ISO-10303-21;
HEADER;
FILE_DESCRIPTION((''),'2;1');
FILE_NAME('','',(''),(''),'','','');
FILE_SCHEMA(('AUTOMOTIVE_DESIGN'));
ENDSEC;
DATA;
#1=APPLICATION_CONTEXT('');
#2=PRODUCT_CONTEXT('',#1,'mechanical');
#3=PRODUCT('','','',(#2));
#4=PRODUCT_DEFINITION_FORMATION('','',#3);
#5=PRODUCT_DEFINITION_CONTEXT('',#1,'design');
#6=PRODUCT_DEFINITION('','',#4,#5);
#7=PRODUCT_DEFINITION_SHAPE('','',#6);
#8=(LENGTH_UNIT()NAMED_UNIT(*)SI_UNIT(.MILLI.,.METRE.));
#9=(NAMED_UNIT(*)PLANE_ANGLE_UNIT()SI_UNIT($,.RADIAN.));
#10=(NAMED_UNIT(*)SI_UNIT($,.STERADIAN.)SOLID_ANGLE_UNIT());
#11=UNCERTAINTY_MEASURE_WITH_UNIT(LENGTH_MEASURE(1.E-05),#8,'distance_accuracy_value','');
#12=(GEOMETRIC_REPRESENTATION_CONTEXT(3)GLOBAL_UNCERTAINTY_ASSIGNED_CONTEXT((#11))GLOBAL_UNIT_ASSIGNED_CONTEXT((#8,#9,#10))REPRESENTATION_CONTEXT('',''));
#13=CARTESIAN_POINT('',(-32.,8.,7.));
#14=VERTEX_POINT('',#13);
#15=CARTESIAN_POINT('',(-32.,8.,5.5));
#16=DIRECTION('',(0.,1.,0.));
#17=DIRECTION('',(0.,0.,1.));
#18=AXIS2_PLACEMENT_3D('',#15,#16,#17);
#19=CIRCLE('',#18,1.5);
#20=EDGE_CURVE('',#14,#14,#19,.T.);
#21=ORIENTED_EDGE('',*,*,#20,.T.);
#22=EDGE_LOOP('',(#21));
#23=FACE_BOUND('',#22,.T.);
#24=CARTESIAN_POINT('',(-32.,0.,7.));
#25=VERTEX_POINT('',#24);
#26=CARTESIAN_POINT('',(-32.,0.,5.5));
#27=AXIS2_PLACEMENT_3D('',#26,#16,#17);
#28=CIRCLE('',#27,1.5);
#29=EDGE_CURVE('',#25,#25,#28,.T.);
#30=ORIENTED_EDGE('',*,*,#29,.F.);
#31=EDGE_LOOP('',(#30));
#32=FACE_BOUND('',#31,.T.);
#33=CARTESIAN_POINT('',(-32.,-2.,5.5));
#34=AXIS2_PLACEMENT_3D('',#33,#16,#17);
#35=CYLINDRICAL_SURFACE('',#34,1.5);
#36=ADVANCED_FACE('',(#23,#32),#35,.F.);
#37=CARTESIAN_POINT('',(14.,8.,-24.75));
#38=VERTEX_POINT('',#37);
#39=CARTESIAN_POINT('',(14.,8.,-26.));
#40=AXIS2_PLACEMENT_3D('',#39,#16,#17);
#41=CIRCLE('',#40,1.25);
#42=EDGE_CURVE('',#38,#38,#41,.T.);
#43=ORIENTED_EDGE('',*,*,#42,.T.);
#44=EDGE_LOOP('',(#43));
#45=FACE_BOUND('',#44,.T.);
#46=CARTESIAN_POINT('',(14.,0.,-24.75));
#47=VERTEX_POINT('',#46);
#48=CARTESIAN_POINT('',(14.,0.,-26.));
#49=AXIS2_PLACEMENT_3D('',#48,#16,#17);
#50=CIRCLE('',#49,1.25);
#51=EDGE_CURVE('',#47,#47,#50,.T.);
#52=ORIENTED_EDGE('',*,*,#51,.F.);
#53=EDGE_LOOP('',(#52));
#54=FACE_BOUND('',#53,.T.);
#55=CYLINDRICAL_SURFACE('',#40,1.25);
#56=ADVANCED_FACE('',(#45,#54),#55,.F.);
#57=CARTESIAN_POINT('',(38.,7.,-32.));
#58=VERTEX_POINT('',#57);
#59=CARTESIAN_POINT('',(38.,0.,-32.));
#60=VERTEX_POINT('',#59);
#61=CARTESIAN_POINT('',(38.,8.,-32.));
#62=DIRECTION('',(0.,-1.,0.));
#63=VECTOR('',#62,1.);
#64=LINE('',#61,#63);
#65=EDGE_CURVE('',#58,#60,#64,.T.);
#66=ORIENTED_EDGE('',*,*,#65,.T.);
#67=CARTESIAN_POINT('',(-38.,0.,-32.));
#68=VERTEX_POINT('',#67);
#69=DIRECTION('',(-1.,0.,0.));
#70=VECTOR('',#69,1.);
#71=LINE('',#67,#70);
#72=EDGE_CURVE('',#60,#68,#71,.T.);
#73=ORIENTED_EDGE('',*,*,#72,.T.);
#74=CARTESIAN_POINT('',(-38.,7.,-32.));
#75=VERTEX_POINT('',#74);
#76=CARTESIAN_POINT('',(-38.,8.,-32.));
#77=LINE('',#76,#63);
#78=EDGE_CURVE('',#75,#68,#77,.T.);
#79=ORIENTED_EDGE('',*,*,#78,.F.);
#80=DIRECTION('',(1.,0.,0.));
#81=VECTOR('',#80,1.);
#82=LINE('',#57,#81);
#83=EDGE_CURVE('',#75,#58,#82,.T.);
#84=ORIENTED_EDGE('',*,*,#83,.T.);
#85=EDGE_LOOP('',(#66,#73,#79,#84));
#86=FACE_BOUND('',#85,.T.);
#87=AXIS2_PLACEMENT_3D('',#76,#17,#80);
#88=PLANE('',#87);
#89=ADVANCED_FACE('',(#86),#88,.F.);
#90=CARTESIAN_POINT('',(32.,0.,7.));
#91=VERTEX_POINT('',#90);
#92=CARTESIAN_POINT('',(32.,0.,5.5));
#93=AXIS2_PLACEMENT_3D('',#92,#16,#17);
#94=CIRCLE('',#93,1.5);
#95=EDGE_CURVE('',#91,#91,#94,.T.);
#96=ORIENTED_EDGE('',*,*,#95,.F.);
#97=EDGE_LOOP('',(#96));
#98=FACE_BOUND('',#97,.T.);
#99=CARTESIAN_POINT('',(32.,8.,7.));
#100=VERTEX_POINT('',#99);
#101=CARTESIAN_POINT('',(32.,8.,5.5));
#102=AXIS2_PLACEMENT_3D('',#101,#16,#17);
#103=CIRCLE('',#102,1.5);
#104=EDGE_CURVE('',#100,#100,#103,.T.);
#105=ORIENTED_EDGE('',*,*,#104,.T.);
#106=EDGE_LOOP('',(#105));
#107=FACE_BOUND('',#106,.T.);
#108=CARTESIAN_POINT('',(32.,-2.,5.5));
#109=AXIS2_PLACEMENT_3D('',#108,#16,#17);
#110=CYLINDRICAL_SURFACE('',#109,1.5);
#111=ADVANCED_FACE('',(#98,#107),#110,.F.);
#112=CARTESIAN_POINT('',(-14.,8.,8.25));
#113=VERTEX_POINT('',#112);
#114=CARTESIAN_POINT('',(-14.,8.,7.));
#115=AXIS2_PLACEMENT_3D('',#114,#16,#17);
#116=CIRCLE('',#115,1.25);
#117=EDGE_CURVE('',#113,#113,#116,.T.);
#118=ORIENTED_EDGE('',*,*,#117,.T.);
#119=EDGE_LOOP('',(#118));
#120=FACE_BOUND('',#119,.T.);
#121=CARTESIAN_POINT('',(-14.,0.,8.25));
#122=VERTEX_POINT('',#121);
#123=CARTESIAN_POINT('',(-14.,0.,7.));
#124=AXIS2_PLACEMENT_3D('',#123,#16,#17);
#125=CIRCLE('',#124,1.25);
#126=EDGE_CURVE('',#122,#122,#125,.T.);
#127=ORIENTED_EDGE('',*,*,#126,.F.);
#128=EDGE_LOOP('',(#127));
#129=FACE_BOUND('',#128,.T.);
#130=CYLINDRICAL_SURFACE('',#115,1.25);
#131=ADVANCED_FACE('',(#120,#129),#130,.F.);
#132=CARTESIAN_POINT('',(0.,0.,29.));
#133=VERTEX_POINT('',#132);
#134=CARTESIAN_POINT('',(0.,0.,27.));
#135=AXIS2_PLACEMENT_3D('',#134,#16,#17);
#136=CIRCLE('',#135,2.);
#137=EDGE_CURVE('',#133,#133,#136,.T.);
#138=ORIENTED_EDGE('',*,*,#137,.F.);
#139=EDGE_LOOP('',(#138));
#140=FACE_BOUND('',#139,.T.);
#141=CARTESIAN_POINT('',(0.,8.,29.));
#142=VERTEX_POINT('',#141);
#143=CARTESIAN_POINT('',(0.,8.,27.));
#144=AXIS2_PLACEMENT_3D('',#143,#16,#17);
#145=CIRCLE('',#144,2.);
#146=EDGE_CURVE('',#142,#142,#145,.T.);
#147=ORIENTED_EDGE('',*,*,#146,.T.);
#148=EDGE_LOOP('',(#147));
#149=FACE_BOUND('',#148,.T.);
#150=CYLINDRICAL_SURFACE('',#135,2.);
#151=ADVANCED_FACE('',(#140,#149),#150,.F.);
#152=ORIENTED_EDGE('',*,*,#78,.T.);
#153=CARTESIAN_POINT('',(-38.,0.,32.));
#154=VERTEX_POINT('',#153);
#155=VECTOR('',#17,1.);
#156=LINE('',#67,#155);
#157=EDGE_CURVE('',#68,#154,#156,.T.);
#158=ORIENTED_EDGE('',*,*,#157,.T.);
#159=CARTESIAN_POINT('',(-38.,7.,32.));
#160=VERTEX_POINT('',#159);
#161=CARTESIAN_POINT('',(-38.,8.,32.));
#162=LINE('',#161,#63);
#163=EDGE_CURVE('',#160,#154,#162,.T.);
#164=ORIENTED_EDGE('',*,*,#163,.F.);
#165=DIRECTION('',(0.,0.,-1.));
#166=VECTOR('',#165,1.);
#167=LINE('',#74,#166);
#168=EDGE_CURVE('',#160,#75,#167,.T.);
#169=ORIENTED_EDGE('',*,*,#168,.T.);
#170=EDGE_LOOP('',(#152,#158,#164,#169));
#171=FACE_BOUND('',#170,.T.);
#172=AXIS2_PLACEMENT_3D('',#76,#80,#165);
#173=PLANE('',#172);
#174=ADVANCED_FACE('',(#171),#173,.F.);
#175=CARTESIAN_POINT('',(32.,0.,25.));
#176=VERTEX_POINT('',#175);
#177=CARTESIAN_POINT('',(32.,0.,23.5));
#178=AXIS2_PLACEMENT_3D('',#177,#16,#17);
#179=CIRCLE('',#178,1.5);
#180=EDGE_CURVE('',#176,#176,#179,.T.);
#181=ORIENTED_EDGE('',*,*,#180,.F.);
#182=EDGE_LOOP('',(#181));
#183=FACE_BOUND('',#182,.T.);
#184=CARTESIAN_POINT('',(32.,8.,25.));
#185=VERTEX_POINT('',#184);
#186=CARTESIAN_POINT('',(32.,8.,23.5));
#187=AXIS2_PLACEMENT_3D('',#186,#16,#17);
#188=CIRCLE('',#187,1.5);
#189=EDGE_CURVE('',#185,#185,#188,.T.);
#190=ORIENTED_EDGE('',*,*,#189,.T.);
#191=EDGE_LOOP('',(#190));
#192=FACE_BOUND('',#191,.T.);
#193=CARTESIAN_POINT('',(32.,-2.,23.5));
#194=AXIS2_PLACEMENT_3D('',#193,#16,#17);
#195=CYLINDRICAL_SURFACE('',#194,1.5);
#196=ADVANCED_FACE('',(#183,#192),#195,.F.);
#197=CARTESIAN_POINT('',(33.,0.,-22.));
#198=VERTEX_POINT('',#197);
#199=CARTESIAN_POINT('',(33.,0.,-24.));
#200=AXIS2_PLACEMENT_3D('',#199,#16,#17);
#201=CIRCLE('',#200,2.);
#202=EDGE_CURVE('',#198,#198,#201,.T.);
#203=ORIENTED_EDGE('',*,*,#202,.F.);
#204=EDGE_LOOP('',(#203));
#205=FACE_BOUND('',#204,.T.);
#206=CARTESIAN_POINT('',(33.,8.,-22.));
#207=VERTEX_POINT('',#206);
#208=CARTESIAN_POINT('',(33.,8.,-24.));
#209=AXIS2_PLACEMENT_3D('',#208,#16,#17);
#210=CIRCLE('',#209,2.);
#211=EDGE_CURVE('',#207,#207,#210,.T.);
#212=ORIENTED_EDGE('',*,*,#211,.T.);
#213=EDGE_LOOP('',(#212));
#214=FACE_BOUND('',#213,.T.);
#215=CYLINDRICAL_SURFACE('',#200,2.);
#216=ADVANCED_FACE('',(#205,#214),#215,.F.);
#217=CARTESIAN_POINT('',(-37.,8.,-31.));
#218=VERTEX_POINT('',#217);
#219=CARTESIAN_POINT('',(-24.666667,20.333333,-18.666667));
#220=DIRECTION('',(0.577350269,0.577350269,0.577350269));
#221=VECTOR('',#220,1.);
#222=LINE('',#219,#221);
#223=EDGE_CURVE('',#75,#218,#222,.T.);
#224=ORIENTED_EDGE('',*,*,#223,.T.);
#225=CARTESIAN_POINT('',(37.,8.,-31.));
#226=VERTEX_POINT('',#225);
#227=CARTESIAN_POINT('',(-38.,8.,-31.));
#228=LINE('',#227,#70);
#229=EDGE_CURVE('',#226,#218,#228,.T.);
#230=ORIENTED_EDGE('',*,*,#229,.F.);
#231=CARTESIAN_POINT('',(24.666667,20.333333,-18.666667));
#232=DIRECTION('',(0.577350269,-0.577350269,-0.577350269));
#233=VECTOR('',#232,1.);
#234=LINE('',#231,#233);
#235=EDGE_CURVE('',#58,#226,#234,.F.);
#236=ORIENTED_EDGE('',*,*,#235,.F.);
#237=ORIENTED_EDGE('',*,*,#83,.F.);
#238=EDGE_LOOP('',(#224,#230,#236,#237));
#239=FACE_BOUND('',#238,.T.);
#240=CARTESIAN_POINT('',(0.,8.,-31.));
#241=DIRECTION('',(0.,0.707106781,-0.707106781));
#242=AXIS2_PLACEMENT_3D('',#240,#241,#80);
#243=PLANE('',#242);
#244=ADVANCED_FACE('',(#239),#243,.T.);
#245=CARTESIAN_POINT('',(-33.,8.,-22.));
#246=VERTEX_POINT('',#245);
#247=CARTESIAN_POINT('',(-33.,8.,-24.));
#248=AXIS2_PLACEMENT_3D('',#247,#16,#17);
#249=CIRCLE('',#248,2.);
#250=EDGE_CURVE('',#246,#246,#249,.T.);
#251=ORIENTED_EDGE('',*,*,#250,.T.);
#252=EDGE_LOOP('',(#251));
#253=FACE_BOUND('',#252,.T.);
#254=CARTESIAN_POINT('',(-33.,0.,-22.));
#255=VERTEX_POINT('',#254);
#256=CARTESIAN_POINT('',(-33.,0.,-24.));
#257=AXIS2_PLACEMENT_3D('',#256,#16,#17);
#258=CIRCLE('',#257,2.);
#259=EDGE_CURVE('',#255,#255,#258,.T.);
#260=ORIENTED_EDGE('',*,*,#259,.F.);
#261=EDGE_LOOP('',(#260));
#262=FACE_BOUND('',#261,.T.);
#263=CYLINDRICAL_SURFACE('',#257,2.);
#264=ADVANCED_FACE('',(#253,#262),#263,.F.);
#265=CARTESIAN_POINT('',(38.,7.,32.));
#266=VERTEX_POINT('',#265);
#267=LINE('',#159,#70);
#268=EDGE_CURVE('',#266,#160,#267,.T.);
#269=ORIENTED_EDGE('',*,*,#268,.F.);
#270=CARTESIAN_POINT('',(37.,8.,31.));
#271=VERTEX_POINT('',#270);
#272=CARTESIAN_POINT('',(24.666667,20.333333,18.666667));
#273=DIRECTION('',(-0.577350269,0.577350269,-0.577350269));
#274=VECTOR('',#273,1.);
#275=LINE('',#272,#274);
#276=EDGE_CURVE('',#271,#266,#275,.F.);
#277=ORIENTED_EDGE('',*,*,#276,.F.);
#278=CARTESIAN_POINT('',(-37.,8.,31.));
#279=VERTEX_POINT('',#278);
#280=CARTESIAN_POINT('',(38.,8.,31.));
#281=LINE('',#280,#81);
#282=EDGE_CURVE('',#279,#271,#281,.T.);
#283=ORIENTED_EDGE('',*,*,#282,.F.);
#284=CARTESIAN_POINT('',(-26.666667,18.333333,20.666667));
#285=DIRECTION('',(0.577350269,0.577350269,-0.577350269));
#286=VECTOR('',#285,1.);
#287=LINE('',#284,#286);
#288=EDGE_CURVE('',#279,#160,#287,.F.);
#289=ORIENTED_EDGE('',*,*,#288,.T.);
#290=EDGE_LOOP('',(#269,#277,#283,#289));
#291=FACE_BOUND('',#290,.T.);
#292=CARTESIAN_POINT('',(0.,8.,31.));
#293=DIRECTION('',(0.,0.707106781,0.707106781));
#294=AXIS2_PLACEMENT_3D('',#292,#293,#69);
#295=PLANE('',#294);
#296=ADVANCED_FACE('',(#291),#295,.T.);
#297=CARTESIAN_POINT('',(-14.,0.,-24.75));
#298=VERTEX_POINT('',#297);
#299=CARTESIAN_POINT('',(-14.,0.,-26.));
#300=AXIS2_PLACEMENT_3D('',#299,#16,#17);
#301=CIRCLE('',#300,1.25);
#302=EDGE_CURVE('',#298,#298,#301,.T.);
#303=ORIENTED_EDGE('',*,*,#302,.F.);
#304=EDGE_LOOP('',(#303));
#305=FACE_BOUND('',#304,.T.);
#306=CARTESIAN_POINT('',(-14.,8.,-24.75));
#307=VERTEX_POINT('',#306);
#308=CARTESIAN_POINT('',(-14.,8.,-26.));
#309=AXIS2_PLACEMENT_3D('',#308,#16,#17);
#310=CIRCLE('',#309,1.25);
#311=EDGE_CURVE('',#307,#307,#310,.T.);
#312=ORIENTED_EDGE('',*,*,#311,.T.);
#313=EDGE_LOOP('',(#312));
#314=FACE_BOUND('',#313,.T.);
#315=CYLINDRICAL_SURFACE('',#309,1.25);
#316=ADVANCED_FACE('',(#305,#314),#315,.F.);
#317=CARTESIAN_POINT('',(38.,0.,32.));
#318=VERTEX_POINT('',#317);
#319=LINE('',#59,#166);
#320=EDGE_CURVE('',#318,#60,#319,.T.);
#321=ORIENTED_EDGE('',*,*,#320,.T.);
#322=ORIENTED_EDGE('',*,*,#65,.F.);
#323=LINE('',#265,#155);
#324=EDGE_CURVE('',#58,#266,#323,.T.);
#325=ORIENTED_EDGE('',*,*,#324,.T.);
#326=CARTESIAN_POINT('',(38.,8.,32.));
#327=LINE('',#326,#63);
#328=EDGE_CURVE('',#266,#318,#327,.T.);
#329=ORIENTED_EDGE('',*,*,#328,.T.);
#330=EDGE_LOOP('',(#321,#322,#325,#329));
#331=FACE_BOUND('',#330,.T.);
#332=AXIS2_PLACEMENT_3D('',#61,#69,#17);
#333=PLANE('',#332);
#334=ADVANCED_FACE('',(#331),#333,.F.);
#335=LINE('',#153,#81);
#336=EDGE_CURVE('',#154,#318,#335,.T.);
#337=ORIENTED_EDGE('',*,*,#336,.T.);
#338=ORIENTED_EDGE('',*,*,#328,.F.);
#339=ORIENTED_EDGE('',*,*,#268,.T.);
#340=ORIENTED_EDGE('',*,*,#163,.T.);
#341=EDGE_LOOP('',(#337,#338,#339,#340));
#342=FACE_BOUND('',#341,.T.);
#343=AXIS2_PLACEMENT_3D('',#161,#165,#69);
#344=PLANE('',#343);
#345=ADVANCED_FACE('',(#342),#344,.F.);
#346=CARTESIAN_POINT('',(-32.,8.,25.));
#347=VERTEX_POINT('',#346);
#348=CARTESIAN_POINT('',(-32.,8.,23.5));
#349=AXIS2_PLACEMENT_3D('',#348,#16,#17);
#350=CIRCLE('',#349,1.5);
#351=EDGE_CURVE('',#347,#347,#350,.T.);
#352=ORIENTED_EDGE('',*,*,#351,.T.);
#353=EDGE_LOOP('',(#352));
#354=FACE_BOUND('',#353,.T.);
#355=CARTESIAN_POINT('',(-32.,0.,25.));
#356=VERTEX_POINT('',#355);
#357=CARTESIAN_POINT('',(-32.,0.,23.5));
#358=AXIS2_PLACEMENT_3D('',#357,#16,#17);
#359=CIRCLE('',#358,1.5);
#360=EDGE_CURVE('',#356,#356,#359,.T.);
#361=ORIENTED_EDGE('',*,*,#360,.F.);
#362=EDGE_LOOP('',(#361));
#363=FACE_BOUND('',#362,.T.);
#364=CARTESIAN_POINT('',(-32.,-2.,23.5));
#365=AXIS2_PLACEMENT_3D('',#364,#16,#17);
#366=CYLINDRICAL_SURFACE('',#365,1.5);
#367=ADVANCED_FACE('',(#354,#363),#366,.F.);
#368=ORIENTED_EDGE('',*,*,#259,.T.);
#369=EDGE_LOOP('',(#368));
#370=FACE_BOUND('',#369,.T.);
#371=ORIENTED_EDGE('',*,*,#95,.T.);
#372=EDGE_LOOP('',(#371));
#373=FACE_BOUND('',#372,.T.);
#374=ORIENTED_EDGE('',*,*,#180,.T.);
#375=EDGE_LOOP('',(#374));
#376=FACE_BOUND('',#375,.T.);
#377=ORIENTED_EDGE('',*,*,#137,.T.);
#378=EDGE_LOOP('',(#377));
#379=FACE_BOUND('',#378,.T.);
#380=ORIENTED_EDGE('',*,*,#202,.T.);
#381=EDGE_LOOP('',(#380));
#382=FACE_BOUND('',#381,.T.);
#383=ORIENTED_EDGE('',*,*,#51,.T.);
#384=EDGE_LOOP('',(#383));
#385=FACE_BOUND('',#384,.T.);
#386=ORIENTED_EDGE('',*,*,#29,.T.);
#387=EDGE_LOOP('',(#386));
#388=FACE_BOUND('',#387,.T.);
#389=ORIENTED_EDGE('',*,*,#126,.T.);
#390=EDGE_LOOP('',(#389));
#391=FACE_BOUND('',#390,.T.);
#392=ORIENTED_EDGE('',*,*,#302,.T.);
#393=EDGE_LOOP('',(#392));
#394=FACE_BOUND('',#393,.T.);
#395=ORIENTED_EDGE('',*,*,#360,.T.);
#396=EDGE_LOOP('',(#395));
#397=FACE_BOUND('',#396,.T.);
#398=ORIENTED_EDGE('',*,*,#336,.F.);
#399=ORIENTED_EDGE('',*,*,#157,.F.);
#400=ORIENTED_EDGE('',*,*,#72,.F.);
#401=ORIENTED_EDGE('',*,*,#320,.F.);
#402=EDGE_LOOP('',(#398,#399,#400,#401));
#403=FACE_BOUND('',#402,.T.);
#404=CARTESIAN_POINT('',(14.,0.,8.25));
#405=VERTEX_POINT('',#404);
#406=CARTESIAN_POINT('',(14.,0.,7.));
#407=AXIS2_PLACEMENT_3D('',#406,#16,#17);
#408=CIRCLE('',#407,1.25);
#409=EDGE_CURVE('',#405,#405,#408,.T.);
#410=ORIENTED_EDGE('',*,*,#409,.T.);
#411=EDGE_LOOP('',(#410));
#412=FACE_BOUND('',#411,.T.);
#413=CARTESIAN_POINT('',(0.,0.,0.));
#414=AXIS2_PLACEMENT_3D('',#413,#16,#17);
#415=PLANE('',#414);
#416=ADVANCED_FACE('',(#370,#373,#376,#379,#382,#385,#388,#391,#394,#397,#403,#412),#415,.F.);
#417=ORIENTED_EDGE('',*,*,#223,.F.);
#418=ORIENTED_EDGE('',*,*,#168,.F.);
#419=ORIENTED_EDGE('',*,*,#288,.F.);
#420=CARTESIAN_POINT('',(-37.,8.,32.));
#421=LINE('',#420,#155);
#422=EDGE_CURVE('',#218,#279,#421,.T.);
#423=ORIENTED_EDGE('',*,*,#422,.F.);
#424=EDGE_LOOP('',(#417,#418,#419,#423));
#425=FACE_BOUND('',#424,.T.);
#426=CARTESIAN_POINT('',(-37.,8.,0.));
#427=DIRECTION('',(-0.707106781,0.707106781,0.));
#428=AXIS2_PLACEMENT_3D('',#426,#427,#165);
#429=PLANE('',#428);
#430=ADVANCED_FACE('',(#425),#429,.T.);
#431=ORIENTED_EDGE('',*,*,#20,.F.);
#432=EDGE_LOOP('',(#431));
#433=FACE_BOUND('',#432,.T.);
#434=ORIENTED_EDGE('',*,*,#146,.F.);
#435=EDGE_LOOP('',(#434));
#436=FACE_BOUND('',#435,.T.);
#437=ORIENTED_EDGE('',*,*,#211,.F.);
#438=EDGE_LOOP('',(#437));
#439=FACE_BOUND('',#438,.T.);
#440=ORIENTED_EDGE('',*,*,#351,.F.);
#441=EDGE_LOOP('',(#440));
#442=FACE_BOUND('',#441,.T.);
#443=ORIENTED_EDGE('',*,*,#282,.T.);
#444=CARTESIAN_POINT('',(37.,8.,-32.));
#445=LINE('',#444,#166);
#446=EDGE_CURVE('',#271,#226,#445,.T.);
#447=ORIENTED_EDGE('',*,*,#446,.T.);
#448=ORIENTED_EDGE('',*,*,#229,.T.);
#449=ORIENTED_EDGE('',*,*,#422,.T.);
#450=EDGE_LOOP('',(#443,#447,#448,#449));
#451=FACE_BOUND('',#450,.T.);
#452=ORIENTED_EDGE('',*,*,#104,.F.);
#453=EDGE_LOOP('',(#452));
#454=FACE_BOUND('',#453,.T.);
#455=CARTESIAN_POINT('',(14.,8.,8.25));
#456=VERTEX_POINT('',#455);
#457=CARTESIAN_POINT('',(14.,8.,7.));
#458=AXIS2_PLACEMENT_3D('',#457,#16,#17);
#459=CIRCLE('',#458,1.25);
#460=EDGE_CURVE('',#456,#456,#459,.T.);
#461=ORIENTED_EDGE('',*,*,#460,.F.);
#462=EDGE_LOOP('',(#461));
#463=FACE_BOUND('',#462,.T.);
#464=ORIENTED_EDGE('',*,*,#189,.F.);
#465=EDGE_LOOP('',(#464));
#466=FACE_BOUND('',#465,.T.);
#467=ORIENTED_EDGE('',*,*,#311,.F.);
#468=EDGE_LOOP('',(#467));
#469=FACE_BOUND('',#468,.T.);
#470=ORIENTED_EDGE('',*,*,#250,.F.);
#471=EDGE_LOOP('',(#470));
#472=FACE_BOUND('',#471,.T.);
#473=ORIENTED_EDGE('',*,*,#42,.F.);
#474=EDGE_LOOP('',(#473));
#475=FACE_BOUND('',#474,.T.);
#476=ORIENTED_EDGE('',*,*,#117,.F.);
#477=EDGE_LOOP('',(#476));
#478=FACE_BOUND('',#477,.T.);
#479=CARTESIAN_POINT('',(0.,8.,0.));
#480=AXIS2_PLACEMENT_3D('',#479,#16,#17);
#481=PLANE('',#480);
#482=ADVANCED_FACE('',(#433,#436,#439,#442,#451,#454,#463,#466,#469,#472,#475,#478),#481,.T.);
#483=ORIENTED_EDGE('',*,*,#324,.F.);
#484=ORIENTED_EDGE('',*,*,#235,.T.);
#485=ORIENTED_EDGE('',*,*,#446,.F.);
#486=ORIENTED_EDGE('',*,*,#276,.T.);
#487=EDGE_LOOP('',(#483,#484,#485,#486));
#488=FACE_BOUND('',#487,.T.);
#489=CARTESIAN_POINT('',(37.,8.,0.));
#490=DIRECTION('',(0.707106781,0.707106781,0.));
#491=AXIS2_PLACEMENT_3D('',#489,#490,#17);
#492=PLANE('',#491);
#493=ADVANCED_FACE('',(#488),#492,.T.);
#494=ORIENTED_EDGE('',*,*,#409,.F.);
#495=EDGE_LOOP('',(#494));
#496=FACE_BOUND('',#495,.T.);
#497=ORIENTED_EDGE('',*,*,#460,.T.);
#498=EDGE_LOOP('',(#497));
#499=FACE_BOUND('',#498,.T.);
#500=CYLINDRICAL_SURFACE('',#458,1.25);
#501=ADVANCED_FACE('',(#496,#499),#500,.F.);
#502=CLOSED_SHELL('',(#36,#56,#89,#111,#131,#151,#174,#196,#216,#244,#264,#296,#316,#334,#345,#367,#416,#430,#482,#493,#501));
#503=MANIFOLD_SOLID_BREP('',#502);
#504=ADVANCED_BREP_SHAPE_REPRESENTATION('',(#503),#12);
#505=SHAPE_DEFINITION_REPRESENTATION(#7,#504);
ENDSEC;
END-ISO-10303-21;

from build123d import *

# Parameters (mm, degrees)
SKETCH1_W            = 76
SKETCH1_H            = 64
BOSS_EXTRUDE1_DEPTH  = 8
M3_TAPPED_HOLE1_D    = 2.5
LPATTERN2_COUNT      = 2
LPATTERN2_PITCH      = 28
LPATTERN2_COUNT_DIR2 = 2
LPATTERN2_PITCH_DIR2 = 33
SKETCH5_R            = 2
CUT_EXTRUDE1_DEPTH   = 51.318982502
CHAMFER1_SIZE        = 1
SKETCH6_R            = 1.5
CUT_EXTRUDE2_DEPTH   = 10


with BuildPart() as part:
    # Sketch1 → Boss-Extrude1 (new body)
    with BuildSketch(Plane(origin=(0, 0, 0), x_dir=(1, 0, 0), z_dir=(0, 1, 0))):
        Rectangle(SKETCH1_W, SKETCH1_H)
    extrude(amount=BOSS_EXTRUDE1_DEPTH)

    # M3 Tapped Hole1 (through all)
    with Locations(Plane(origin=(0, 8, 0), x_dir=(1, 0, 0), z_dir=(0, 1, 0))):
        with Locations((-14, 26)):
            m3_tapped_hole1 = Hole(M3_TAPPED_HOLE1_D / 2)

    # LPattern2: M3 Tapped Hole1 2 × 2
    with Locations(*[(i * LPATTERN2_PITCH, 0, j * LPATTERN2_PITCH_DIR2) for i in range(LPATTERN2_COUNT) for j in range(LPATTERN2_COUNT_DIR2) if (i, j) != (0, 0)]):
        add(m3_tapped_hole1, mode=Mode.SUBTRACT)

    # Sketch5 → Cut-Extrude1 (cut, through all)
    with BuildSketch(Plane(origin=(0, 8, 0), x_dir=(1, 0, 0), z_dir=(0, 1, 0))):
        with Locations(Location((-33, 24, 0), (0, 0, 270))):
            Circle(SKETCH5_R)
        with Locations(Location((33, 24, 0), (0, 0, 270))):
            Circle(SKETCH5_R)
        with Locations(Location((0, -27, 0), (0, 0, 270))):
            Circle(SKETCH5_R)
    extrude(amount=-CUT_EXTRUDE1_DEPTH, mode=Mode.SUBTRACT)

    # Chamfer1
    chamfer1_edges = [part.edges().sort_by_distance(p)[0] for p in [
        (-38, 8, 0),
        (0, 8, 32),
        (38, 8, 0),
        (0, 8, -32),
    ]]
    chamfer(chamfer1_edges, length=CHAMFER1_SIZE)

    # Sketch6 → Cut-Extrude2 (cut)
    with BuildSketch(Plane(origin=(0, 8, 0), x_dir=(1, 0, 0), z_dir=(0, 1, 0))):
        with Locations(Location((32, -5.5, 0), (0, 0, 270))):
            Circle(SKETCH6_R)
        with Locations(Location((32, -23.5, 0), (0, 0, 270))):
            Circle(SKETCH6_R)
        with Locations(Location((-32, -23.5, 0), (0, 0, 270))):
            Circle(SKETCH6_R)
        with Locations(Location((-32, -5.5, 0), (0, 0, 270))):
            Circle(SKETCH6_R)
    extrude(amount=-CUT_EXTRUDE2_DEPTH, mode=Mode.SUBTRACT)


solid = part.part
